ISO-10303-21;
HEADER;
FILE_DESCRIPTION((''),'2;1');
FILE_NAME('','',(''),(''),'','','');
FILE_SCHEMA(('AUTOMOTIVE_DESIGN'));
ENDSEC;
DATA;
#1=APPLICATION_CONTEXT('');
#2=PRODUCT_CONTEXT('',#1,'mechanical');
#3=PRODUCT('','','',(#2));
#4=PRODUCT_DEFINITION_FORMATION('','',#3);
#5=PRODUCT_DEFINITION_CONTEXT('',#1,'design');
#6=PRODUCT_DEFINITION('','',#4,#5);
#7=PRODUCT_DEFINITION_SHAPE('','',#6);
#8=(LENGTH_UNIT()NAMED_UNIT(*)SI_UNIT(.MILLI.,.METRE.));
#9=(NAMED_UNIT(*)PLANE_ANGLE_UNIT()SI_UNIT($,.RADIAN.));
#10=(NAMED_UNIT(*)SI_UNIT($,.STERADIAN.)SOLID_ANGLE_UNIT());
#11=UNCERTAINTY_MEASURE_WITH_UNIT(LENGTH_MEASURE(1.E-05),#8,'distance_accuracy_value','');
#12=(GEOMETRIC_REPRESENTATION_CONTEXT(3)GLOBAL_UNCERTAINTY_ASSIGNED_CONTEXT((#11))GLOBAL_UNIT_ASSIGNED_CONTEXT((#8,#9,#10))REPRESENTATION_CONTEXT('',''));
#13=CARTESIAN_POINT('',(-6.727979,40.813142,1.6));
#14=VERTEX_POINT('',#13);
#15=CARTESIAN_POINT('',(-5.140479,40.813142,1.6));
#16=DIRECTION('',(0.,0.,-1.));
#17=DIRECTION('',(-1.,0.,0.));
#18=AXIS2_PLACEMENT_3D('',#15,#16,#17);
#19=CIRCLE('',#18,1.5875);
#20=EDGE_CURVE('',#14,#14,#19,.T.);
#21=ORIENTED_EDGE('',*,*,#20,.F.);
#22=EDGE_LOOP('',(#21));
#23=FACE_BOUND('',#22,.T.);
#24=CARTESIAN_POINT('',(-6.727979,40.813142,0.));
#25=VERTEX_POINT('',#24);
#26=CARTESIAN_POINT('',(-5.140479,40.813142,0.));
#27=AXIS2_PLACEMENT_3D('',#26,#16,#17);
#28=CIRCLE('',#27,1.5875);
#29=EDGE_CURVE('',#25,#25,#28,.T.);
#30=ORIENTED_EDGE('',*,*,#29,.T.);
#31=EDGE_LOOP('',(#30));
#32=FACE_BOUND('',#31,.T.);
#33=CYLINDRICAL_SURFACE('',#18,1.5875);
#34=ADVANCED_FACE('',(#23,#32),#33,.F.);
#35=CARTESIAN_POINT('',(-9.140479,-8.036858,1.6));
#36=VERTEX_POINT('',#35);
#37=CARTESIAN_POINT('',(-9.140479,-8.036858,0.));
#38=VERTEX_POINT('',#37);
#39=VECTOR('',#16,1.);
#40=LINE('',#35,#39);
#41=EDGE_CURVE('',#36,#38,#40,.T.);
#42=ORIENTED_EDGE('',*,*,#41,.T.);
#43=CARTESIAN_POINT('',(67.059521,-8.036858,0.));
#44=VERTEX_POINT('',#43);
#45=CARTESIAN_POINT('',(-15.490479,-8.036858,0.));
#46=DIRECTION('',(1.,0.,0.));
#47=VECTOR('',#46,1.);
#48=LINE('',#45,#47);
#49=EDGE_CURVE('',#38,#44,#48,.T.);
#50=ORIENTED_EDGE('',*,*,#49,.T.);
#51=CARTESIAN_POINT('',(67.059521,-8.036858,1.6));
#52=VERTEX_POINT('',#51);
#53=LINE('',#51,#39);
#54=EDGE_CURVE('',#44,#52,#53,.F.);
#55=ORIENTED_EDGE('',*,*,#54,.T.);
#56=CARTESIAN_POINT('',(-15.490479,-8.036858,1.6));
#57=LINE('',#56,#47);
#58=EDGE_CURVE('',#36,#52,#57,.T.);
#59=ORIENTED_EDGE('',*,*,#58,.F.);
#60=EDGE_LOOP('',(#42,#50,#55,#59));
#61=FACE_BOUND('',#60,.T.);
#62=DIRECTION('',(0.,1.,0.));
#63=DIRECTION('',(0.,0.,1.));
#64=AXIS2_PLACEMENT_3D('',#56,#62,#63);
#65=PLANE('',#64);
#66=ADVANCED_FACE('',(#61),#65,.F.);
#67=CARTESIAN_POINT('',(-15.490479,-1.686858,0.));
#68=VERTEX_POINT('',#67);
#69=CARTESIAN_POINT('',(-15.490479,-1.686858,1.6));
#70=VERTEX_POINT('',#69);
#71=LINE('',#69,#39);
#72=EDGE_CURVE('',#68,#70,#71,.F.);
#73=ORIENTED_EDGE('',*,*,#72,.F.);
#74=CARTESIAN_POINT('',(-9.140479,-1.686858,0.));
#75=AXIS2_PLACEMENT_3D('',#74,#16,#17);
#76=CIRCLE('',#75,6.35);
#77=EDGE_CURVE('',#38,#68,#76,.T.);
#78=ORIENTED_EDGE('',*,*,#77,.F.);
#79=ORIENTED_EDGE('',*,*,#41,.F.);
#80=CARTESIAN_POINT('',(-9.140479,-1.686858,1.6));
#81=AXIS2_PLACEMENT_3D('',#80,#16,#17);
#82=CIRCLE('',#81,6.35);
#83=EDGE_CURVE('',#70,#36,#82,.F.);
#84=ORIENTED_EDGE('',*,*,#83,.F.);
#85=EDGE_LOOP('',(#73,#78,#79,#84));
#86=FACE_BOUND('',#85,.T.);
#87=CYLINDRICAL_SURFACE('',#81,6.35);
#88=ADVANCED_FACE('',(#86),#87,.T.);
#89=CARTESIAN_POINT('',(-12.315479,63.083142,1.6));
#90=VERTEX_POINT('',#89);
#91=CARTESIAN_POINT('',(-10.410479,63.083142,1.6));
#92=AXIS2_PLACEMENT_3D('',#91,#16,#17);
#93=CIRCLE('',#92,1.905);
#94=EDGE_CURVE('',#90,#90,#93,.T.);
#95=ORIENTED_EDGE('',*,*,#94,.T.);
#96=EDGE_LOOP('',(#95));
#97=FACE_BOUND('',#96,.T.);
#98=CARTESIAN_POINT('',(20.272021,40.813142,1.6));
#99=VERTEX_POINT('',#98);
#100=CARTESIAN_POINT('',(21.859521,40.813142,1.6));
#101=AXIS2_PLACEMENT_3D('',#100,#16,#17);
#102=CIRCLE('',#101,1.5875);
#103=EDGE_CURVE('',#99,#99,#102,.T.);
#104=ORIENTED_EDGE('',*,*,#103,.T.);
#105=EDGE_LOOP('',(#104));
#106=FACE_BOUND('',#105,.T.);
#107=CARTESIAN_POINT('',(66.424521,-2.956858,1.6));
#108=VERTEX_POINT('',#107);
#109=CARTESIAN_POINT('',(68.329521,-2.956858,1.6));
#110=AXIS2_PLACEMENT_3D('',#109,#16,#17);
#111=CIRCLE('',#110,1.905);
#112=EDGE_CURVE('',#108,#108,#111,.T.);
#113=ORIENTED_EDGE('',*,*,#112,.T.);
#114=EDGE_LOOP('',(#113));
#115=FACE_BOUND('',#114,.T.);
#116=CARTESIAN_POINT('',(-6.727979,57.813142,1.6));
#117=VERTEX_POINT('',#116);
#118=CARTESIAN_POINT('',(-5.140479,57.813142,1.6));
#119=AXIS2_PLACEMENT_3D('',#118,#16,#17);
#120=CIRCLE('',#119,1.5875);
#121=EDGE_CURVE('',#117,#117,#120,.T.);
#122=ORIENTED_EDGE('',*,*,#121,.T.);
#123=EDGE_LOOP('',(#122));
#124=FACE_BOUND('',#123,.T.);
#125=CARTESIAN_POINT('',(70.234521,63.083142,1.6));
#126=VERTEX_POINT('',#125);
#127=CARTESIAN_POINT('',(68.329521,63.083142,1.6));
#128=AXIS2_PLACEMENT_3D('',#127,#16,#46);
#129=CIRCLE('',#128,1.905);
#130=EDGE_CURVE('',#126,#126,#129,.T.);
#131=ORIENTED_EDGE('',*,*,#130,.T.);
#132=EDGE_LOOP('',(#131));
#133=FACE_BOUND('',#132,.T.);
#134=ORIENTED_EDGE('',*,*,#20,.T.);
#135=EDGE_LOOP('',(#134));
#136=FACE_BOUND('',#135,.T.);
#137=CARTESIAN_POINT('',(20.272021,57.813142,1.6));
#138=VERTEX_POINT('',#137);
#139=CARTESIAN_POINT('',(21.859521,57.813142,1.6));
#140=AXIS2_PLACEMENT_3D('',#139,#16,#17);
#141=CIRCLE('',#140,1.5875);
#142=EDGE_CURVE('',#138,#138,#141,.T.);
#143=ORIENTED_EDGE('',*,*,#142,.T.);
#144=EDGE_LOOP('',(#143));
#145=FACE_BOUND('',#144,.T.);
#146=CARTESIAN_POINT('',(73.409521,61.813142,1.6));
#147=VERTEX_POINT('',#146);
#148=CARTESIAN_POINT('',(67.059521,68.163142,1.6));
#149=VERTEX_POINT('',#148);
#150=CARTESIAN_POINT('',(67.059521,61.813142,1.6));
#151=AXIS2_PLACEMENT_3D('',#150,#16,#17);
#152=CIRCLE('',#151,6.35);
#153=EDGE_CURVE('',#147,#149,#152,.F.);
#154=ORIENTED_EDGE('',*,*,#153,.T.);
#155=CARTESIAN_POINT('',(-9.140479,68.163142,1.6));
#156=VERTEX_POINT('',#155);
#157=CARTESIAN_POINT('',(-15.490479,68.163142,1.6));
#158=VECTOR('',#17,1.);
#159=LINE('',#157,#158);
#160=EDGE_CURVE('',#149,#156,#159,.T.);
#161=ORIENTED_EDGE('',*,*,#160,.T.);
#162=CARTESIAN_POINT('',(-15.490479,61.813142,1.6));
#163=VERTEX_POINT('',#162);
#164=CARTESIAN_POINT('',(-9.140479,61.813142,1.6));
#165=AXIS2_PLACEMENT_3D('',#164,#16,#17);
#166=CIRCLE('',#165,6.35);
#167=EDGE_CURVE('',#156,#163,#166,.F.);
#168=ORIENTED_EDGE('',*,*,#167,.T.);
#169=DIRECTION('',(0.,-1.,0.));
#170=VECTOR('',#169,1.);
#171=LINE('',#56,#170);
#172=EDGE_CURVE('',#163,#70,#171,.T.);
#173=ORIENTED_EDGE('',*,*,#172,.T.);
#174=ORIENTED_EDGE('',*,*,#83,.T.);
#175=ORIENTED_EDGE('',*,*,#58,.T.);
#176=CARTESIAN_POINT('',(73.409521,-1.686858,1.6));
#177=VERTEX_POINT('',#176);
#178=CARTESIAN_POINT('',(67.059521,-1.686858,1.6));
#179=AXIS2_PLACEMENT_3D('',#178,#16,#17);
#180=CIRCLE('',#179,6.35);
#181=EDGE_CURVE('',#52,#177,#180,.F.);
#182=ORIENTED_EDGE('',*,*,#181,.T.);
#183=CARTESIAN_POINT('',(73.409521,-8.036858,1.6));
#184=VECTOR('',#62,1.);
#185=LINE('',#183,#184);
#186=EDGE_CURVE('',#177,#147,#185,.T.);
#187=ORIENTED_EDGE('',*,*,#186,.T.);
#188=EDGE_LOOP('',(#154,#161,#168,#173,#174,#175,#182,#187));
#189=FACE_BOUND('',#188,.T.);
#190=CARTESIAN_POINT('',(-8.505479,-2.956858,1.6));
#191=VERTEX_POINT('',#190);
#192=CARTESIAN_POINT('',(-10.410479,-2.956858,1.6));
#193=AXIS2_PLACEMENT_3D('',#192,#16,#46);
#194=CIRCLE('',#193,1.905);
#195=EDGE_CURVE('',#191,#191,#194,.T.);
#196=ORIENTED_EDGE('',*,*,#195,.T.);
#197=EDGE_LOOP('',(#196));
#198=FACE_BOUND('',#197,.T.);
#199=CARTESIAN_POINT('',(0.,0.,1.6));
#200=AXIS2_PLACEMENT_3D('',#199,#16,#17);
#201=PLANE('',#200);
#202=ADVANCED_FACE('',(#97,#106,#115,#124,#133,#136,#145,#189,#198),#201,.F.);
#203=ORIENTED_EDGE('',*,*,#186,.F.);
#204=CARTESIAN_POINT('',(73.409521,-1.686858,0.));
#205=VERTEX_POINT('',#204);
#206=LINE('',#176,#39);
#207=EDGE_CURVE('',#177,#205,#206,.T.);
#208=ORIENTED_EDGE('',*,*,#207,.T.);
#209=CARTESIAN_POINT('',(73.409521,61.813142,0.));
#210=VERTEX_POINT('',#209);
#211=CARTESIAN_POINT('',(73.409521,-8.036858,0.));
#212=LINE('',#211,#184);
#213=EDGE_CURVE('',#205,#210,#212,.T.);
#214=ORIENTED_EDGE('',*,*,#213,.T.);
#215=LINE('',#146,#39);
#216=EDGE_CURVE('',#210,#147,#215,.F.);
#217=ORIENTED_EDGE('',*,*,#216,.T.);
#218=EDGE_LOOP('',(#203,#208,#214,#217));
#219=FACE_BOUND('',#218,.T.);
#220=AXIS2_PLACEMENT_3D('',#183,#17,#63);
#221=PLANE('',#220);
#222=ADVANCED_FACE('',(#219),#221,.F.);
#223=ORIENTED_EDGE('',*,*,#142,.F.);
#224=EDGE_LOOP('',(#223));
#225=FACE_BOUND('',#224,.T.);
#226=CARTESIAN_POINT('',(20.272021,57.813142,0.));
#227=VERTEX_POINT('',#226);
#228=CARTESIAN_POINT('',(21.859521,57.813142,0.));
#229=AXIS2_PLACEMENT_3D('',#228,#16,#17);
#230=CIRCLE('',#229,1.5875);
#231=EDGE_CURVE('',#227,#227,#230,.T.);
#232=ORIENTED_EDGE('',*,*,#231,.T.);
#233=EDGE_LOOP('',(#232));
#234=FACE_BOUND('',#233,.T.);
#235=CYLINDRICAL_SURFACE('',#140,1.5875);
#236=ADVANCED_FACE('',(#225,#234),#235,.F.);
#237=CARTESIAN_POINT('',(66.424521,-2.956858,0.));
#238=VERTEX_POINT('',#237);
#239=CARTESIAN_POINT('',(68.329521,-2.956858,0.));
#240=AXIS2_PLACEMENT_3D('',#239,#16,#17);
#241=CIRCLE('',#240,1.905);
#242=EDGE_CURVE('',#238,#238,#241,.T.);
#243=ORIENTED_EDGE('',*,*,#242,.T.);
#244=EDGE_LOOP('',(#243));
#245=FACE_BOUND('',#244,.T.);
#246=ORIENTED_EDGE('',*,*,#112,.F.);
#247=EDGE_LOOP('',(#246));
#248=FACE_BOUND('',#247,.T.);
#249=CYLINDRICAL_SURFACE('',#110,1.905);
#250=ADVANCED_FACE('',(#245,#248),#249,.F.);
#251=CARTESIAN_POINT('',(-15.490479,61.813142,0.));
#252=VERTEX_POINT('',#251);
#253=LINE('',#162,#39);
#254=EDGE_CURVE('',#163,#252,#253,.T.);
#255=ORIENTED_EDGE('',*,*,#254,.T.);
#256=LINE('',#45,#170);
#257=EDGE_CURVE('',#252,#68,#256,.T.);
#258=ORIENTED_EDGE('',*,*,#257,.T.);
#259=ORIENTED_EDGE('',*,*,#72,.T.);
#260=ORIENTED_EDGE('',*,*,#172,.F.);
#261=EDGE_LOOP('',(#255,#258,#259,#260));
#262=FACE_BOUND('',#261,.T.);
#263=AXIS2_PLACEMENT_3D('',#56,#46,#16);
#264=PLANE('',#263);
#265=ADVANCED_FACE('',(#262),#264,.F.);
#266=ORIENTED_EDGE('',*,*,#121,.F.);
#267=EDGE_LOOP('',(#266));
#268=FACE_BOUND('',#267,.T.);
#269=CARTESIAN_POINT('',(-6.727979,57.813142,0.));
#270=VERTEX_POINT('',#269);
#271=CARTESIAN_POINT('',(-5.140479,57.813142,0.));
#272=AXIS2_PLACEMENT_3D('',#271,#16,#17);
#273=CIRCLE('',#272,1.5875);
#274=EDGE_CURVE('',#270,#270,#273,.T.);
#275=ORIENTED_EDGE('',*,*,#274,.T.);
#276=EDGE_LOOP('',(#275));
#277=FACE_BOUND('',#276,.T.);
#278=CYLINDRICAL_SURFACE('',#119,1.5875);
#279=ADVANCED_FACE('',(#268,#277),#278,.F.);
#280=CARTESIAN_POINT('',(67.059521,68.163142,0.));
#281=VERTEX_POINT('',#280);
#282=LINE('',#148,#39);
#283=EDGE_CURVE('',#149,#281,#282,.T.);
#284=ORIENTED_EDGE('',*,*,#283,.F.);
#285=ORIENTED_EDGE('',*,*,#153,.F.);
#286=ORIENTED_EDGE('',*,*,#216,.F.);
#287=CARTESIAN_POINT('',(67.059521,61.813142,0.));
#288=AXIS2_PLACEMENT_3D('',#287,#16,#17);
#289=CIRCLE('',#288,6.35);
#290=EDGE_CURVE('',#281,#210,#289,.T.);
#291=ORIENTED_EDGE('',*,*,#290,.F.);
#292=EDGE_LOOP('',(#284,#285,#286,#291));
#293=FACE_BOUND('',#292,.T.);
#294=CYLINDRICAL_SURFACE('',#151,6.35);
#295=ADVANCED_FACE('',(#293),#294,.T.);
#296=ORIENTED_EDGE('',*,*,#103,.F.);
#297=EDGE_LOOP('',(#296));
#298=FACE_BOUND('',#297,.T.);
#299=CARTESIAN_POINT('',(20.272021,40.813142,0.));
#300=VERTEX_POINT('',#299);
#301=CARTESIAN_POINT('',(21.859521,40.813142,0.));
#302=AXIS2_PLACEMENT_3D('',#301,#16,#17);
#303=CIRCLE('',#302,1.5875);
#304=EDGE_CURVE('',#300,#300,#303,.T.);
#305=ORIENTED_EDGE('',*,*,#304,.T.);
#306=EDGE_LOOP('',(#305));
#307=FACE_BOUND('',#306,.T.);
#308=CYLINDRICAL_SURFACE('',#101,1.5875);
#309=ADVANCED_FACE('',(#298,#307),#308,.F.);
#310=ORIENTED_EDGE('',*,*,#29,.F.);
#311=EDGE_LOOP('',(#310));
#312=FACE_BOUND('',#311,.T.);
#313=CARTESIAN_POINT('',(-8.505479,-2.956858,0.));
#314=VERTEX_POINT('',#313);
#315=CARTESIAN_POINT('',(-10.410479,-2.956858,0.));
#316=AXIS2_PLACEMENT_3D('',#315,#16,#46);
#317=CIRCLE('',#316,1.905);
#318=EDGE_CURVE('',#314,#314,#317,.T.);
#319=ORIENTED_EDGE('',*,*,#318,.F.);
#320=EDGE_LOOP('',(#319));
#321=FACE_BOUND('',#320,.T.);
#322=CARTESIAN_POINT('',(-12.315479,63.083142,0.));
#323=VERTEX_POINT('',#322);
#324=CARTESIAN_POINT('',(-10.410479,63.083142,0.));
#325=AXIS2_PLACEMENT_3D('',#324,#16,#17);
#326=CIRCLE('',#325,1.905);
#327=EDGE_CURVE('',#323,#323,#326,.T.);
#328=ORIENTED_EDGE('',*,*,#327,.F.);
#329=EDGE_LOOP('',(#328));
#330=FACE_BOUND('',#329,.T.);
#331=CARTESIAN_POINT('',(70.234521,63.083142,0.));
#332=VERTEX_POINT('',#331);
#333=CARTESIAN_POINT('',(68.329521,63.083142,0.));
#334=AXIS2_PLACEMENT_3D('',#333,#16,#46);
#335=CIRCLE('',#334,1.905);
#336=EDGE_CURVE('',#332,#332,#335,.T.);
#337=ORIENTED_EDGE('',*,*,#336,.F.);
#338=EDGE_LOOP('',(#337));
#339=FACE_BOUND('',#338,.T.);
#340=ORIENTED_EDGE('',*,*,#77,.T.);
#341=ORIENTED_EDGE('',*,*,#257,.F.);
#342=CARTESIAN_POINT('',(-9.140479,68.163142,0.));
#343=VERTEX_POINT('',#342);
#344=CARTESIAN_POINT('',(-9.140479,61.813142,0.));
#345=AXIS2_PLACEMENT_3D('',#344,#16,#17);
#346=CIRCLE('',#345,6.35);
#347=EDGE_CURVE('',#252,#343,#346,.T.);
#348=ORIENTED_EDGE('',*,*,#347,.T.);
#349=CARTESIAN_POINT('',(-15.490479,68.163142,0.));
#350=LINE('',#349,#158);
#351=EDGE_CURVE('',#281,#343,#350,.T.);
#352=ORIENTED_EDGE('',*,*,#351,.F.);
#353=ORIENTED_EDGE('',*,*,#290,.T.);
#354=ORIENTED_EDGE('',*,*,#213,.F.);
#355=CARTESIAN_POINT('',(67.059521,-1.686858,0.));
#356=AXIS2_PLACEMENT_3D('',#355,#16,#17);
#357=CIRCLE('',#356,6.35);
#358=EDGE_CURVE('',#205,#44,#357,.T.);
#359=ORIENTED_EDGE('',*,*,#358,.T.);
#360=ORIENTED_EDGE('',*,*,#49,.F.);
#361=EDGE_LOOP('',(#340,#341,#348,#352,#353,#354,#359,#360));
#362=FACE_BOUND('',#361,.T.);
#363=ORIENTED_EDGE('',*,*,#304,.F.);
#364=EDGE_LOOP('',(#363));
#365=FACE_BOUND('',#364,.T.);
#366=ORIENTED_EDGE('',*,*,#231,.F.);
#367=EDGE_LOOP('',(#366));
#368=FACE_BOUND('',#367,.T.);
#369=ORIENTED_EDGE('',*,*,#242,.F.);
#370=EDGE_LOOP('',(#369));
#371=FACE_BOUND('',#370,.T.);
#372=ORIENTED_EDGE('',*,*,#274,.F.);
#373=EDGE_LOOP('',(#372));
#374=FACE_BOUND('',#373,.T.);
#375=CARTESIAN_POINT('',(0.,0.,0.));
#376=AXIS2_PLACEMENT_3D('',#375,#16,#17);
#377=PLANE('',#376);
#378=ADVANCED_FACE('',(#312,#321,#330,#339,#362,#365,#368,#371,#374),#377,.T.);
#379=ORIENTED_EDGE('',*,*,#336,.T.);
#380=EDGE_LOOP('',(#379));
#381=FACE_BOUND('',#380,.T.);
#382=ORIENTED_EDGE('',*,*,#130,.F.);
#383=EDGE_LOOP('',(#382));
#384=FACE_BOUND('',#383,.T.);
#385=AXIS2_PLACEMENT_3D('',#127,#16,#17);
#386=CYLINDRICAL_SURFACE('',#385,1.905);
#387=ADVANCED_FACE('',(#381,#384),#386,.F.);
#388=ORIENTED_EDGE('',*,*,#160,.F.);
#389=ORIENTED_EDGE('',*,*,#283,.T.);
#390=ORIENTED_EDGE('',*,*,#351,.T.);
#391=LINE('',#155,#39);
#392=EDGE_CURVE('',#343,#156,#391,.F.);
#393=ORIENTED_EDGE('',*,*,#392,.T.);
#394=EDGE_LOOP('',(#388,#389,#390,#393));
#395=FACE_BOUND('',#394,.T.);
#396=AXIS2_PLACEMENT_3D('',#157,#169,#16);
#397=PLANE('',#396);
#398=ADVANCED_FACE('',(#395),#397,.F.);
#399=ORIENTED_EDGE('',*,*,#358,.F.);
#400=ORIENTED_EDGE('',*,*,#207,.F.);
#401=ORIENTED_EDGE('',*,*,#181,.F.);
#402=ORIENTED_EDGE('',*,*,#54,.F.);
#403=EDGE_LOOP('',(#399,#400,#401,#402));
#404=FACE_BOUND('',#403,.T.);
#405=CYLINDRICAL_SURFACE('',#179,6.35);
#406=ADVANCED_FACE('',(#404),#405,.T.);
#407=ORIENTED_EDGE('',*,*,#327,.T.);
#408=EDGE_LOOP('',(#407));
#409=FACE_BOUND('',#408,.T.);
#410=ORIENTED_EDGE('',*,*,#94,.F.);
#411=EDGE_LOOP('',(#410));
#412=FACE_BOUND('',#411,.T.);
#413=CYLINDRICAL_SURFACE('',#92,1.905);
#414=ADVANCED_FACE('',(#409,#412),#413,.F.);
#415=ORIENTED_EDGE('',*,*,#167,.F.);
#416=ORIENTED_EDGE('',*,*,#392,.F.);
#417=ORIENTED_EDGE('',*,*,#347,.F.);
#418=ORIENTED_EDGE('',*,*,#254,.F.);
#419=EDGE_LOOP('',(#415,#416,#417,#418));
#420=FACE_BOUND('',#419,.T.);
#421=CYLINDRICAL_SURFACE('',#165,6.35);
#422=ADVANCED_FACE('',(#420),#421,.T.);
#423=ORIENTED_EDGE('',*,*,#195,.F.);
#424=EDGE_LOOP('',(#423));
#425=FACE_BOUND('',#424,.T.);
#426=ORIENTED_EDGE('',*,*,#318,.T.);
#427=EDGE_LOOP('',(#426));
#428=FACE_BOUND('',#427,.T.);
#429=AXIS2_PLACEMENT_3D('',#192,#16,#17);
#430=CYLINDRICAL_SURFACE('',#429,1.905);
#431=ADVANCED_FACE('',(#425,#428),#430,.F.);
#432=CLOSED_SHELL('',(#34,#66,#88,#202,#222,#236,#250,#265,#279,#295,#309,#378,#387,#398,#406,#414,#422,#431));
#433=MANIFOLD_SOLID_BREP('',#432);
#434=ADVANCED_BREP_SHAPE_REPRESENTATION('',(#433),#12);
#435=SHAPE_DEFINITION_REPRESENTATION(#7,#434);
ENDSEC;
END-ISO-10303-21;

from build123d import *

# Parameters (mm, degrees)
SKETCH1_W           = 88.9
SKETCH1_H           = 76.2
BOSS_EXTRUDE1_DEPTH = 1.6
SKETCH2_R           = 1.5875
CUT_EXTRUDE1_DEPTH  = 2.6
SKETCH4_R           = 1.905
CUT_EXTRUDE2_DEPTH  = 2.6
FILLET1_R           = 6.35


with BuildPart() as part:
    # Sketch1 → Boss-Extrude1 (new body)
    with BuildSketch(Plane.XY):
        with Locations((28.959521177, 30.063142475)):
            Rectangle(SKETCH1_W, SKETCH1_H)
    extrude(amount=BOSS_EXTRUDE1_DEPTH)

    # Sketch2 → Cut-Extrude1 (cut, through all)
    with BuildSketch(Plane(origin=(0, 0, 0), x_dir=(-1, 0, 0), z_dir=(0, 0, -1))):
        with Locations((5.140478823, 57.813142475)):
            Circle(SKETCH2_R)
        with Locations((-21.859521177, 57.813142475)):
            Circle(SKETCH2_R)
        with Locations((-21.859521177, 40.813142475)):
            Circle(SKETCH2_R)
        with Locations((5.140478823, 40.813142475)):
            Circle(SKETCH2_R)
    extrude(amount=-CUT_EXTRUDE1_DEPTH, mode=Mode.SUBTRACT)

    # Sketch4 → Cut-Extrude2 (cut, through all)
    with BuildSketch(Plane(origin=(0, 0, 0), x_dir=(-1, 0, 0), z_dir=(0, 0, -1))):
        with Locations((10.410478823, 63.083142475)):
            Circle(SKETCH4_R)
        with Locations((-68.329521177, 63.083142475)):
            Circle(SKETCH4_R)
        with Locations((-68.329521177, -2.956857525)):
            Circle(SKETCH4_R)
        with Locations((10.410478823, -2.956857525)):
            Circle(SKETCH4_R)
    extrude(amount=-CUT_EXTRUDE2_DEPTH, mode=Mode.SUBTRACT)

    # Fillet1
    fillet1_edges = [part.edges().sort_by_distance(p)[0] for p in [
        (-15.490478823, 68.163142475, 0.8),
        (73.409521177, 68.163142475, 0.8),
        (73.409521177, -8.036857525, 0.8),
        (-15.490478823, -8.036857525, 0.8),
    ]]
    fillet(fillet1_edges, radius=FILLET1_R)


solid = part.part
